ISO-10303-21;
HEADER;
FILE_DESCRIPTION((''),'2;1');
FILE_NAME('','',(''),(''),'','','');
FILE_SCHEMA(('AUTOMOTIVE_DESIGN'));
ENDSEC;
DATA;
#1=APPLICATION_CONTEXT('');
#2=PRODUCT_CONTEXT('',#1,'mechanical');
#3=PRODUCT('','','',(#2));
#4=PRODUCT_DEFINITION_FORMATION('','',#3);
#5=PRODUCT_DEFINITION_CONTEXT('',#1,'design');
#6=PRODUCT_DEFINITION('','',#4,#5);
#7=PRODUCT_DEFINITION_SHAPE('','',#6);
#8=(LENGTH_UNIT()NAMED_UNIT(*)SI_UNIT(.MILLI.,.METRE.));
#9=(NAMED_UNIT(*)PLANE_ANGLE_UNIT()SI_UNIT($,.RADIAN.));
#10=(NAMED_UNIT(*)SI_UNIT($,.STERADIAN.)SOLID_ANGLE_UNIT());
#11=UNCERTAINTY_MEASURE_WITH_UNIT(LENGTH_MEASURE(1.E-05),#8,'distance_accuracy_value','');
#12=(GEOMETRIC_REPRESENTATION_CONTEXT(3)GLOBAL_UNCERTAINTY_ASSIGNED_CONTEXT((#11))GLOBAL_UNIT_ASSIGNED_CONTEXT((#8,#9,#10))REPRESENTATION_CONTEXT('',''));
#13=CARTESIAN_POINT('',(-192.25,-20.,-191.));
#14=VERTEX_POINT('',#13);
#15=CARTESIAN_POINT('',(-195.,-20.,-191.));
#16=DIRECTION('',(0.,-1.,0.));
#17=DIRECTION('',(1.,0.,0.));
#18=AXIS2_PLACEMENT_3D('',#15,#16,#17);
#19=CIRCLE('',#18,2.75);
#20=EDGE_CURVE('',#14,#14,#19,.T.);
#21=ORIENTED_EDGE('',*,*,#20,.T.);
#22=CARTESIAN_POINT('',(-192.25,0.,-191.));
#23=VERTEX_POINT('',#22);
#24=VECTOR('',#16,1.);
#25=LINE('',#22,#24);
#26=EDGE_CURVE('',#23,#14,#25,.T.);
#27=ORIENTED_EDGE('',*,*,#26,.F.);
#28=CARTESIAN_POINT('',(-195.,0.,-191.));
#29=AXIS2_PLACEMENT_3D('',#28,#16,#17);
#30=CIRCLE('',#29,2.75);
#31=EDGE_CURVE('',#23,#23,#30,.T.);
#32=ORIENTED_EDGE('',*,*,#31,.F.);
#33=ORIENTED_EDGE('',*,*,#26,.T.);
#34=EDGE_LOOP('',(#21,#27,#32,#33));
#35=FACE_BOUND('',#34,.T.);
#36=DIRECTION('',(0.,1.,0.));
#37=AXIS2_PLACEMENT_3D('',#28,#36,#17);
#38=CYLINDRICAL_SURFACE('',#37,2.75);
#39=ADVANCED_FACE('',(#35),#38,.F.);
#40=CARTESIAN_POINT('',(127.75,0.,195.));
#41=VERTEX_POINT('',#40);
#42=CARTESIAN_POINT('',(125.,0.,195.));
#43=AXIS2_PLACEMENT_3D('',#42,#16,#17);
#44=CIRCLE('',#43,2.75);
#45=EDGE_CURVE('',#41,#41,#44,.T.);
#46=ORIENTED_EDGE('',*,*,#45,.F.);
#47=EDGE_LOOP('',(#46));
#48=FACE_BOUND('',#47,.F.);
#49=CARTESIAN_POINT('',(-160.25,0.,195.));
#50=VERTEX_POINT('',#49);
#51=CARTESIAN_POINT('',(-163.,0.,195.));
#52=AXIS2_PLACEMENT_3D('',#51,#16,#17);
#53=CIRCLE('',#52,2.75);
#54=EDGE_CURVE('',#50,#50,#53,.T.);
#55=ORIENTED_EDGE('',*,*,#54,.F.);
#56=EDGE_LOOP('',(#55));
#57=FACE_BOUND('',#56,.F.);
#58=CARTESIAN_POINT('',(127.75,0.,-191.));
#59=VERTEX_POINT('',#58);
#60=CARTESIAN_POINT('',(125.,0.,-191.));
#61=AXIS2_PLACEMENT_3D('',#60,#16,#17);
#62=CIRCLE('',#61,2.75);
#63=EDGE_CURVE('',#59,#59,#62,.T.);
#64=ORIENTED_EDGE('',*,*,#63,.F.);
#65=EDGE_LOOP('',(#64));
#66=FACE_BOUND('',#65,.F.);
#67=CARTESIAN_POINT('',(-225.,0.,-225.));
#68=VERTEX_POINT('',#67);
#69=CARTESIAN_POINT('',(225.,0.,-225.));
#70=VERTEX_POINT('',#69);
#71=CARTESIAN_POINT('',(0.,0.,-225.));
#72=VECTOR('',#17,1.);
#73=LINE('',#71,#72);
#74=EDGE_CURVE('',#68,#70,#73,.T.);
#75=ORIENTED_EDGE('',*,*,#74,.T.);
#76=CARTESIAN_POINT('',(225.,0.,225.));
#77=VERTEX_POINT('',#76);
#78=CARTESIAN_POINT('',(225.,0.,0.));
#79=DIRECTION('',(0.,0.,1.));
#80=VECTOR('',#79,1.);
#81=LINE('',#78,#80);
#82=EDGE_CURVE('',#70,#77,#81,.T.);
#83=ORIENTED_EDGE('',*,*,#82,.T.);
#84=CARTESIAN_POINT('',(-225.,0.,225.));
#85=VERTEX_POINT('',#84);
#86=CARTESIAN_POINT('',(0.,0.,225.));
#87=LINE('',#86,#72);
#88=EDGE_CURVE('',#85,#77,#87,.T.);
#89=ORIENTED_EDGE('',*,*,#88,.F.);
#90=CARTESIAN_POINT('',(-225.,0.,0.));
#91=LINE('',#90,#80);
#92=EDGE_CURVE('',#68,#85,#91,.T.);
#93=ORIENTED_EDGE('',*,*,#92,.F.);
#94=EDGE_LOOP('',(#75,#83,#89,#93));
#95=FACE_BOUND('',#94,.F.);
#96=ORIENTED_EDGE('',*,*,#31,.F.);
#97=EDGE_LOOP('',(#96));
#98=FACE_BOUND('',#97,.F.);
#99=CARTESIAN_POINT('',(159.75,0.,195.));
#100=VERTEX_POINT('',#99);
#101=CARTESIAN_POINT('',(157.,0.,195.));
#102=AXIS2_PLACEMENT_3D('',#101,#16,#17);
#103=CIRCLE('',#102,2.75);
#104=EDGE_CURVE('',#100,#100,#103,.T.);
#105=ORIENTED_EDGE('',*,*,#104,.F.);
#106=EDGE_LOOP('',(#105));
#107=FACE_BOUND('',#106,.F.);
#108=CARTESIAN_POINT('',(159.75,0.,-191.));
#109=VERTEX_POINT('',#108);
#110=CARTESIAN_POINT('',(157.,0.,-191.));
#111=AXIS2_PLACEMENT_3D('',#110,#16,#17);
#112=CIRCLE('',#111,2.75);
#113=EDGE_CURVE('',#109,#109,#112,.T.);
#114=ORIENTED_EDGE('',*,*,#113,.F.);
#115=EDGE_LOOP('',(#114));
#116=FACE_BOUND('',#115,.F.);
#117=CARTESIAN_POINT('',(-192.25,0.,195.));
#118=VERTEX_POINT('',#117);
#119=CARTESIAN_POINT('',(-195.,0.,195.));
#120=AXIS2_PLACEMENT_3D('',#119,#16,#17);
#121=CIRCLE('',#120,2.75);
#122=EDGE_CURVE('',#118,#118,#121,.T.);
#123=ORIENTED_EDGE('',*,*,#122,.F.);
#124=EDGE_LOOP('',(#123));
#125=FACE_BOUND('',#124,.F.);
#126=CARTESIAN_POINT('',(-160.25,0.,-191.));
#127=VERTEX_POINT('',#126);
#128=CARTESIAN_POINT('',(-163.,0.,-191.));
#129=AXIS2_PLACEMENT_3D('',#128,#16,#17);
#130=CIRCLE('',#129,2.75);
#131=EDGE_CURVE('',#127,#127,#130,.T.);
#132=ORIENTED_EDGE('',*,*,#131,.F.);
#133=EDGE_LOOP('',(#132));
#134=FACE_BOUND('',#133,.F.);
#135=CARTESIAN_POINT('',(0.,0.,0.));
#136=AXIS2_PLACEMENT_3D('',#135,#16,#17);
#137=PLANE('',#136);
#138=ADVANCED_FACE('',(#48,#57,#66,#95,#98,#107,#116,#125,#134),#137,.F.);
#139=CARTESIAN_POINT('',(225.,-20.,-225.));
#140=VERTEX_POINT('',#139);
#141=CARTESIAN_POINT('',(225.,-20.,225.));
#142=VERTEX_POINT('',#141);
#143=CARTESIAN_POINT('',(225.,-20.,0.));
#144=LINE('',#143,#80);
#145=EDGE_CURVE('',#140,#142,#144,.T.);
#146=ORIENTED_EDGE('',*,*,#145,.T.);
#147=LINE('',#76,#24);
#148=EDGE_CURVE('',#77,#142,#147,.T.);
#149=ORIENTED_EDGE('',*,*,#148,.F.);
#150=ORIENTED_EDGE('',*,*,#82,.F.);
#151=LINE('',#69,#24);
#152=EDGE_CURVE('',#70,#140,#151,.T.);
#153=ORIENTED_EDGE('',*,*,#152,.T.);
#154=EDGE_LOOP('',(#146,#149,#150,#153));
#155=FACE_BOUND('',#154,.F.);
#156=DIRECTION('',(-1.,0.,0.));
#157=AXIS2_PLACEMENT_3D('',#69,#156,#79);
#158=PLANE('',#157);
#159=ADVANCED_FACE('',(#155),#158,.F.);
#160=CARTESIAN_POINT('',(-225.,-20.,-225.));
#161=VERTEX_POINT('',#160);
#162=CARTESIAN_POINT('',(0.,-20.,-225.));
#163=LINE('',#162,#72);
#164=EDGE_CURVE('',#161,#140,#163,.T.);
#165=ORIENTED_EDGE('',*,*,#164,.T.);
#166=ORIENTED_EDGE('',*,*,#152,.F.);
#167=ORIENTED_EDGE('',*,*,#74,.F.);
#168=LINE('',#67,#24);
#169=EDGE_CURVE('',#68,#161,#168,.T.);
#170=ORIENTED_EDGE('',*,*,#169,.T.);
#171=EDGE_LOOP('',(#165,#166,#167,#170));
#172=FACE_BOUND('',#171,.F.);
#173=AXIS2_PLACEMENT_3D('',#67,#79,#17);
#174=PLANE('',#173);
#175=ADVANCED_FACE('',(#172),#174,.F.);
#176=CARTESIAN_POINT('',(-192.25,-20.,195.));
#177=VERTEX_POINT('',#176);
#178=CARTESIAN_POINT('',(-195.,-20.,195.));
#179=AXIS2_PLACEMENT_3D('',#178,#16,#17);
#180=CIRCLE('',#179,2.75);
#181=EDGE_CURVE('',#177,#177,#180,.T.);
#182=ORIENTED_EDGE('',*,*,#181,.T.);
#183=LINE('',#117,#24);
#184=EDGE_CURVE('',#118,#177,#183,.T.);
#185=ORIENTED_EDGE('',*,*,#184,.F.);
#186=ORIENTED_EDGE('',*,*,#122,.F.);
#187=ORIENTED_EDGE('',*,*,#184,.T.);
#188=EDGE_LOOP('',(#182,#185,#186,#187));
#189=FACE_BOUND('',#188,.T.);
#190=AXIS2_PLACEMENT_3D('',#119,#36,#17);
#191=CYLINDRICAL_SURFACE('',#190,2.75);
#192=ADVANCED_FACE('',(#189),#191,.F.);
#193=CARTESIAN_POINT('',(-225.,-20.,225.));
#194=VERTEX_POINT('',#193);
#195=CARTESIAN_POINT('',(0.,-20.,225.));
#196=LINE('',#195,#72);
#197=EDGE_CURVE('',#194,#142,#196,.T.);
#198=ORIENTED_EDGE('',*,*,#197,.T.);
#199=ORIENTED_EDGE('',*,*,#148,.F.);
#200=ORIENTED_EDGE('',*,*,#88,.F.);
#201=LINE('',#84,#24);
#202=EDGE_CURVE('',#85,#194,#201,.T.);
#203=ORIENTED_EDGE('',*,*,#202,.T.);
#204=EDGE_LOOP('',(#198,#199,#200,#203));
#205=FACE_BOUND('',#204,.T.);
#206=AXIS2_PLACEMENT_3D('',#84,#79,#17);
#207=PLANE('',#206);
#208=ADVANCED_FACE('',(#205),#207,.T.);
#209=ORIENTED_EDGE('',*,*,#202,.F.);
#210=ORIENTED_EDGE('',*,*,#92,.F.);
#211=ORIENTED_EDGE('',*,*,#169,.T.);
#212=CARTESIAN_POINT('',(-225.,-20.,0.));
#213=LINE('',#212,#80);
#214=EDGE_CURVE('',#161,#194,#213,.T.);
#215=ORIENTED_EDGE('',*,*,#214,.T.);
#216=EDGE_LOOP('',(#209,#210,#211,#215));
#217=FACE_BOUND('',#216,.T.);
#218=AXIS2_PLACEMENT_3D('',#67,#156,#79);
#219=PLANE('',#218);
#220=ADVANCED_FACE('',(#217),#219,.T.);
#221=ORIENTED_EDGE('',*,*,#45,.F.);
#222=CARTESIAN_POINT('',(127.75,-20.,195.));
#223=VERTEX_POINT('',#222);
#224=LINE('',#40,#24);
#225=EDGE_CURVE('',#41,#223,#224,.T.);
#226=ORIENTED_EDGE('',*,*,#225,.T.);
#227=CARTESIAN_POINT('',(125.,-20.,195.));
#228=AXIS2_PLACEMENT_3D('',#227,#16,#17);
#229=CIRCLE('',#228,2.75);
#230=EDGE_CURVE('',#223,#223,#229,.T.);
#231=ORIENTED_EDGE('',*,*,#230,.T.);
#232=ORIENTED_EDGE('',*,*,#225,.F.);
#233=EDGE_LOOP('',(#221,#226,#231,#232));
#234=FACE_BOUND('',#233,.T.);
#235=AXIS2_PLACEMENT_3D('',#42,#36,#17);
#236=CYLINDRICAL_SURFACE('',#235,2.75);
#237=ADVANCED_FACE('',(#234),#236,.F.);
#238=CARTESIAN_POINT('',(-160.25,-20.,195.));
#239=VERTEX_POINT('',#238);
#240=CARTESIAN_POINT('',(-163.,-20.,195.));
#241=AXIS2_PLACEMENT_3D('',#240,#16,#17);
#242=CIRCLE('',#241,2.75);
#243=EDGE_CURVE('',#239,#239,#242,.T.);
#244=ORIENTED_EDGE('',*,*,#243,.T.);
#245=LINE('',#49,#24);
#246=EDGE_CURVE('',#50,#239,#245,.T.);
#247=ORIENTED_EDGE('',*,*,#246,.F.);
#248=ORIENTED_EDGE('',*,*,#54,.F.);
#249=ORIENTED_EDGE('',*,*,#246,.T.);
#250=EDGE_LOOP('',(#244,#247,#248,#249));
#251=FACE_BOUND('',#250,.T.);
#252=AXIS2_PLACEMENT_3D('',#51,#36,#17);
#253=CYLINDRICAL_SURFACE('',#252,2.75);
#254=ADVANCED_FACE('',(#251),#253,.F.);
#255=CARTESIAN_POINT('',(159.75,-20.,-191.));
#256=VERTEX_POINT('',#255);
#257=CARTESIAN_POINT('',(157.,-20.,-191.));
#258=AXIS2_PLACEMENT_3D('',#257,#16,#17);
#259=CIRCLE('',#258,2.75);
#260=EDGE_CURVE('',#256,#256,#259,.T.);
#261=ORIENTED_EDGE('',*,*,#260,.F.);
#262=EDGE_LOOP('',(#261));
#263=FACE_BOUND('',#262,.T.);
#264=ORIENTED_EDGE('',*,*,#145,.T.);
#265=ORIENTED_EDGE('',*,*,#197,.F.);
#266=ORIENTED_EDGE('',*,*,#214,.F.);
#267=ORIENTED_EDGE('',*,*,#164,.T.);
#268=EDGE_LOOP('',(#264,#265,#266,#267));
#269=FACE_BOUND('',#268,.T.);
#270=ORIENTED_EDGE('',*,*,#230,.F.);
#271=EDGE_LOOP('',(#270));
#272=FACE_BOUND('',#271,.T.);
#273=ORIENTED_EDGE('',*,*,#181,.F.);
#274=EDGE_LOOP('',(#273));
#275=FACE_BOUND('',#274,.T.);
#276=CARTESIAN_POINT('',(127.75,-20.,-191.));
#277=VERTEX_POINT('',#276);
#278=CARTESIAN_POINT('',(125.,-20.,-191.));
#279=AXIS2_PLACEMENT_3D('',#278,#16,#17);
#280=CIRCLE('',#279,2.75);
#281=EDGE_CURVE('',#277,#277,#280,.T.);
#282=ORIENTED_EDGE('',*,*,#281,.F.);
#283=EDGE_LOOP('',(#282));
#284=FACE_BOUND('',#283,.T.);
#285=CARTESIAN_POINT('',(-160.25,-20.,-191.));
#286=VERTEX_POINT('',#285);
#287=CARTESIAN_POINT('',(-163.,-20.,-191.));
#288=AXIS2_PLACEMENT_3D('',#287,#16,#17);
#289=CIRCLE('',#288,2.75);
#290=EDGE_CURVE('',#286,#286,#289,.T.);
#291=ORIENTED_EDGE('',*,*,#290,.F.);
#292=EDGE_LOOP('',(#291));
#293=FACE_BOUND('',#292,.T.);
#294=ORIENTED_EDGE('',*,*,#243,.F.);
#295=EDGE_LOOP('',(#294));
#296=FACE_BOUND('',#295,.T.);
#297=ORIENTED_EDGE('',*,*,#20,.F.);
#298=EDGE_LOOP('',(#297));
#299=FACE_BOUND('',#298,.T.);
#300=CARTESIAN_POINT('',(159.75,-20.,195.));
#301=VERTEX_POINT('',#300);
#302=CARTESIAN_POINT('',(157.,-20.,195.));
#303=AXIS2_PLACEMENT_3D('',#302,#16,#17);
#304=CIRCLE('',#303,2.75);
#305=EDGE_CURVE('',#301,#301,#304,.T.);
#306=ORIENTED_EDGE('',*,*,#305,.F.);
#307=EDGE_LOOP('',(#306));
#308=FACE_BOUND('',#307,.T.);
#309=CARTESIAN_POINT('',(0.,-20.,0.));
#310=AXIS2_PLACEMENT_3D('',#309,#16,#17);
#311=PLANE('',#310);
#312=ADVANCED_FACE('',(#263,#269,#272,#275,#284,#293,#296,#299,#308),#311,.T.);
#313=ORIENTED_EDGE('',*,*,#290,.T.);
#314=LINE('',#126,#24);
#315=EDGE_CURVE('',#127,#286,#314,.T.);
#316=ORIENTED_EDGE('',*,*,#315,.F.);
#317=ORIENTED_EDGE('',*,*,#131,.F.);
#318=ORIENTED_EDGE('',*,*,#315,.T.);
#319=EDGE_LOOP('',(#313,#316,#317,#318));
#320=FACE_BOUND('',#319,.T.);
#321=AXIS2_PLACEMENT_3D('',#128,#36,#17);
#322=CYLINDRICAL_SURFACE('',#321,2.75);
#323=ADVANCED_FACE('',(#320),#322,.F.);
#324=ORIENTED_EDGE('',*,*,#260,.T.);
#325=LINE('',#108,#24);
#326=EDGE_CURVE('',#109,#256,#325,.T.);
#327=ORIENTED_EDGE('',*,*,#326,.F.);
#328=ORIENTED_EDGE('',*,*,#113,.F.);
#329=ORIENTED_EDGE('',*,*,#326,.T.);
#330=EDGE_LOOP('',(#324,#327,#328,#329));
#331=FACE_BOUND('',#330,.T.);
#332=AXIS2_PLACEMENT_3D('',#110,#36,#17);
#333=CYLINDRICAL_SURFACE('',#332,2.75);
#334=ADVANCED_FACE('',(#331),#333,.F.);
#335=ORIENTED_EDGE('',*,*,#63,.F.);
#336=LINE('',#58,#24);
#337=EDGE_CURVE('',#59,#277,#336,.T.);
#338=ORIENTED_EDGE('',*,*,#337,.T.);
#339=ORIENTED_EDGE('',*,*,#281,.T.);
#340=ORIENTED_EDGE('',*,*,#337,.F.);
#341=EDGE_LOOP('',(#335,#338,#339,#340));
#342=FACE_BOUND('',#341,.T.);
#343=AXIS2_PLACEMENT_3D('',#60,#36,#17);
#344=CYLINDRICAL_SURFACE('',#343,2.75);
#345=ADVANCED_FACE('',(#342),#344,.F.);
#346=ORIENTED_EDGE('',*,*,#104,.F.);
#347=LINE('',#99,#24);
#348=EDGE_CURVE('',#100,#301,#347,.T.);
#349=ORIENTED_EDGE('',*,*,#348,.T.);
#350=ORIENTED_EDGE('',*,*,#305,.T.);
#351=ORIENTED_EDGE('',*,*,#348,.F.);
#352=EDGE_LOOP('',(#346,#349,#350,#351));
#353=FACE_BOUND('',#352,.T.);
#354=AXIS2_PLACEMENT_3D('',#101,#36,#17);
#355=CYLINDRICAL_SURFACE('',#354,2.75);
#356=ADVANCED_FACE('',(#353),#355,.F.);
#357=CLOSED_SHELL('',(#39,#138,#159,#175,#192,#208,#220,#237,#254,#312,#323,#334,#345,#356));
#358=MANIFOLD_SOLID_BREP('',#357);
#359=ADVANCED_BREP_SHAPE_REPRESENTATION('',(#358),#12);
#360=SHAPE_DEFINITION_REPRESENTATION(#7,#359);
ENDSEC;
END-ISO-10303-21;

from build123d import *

# Parameters (mm, degrees)
F0_W     = 450
F0_H     = 450
F0_R     = 2.75
F1_DEPTH = 20


with BuildPart() as f1:
    # F0 (on Front) → F1 (new body)
    with BuildSketch(Plane.XZ):
        Rectangle(F0_W, F0_H)
        with Locations((-195, -191)):
            Circle(F0_R, mode=Mode.SUBTRACT)
        with Locations((-163, -191)):
            Circle(F0_R, mode=Mode.SUBTRACT)
        with Locations((125, -191)):
            Circle(F0_R, mode=Mode.SUBTRACT)
        with Locations((157, -191)):
            Circle(F0_R, mode=Mode.SUBTRACT)
        with Locations((-195, 195)):
            Circle(F0_R, mode=Mode.SUBTRACT)
        with Locations((-163, 195)):
            Circle(F0_R, mode=Mode.SUBTRACT)
        with Locations((125, 195)):
            Circle(F0_R, mode=Mode.SUBTRACT)
        with Locations((157, 195)):
            Circle(F0_R, mode=Mode.SUBTRACT)
    extrude(amount=F1_DEPTH)


solid = f1.part
